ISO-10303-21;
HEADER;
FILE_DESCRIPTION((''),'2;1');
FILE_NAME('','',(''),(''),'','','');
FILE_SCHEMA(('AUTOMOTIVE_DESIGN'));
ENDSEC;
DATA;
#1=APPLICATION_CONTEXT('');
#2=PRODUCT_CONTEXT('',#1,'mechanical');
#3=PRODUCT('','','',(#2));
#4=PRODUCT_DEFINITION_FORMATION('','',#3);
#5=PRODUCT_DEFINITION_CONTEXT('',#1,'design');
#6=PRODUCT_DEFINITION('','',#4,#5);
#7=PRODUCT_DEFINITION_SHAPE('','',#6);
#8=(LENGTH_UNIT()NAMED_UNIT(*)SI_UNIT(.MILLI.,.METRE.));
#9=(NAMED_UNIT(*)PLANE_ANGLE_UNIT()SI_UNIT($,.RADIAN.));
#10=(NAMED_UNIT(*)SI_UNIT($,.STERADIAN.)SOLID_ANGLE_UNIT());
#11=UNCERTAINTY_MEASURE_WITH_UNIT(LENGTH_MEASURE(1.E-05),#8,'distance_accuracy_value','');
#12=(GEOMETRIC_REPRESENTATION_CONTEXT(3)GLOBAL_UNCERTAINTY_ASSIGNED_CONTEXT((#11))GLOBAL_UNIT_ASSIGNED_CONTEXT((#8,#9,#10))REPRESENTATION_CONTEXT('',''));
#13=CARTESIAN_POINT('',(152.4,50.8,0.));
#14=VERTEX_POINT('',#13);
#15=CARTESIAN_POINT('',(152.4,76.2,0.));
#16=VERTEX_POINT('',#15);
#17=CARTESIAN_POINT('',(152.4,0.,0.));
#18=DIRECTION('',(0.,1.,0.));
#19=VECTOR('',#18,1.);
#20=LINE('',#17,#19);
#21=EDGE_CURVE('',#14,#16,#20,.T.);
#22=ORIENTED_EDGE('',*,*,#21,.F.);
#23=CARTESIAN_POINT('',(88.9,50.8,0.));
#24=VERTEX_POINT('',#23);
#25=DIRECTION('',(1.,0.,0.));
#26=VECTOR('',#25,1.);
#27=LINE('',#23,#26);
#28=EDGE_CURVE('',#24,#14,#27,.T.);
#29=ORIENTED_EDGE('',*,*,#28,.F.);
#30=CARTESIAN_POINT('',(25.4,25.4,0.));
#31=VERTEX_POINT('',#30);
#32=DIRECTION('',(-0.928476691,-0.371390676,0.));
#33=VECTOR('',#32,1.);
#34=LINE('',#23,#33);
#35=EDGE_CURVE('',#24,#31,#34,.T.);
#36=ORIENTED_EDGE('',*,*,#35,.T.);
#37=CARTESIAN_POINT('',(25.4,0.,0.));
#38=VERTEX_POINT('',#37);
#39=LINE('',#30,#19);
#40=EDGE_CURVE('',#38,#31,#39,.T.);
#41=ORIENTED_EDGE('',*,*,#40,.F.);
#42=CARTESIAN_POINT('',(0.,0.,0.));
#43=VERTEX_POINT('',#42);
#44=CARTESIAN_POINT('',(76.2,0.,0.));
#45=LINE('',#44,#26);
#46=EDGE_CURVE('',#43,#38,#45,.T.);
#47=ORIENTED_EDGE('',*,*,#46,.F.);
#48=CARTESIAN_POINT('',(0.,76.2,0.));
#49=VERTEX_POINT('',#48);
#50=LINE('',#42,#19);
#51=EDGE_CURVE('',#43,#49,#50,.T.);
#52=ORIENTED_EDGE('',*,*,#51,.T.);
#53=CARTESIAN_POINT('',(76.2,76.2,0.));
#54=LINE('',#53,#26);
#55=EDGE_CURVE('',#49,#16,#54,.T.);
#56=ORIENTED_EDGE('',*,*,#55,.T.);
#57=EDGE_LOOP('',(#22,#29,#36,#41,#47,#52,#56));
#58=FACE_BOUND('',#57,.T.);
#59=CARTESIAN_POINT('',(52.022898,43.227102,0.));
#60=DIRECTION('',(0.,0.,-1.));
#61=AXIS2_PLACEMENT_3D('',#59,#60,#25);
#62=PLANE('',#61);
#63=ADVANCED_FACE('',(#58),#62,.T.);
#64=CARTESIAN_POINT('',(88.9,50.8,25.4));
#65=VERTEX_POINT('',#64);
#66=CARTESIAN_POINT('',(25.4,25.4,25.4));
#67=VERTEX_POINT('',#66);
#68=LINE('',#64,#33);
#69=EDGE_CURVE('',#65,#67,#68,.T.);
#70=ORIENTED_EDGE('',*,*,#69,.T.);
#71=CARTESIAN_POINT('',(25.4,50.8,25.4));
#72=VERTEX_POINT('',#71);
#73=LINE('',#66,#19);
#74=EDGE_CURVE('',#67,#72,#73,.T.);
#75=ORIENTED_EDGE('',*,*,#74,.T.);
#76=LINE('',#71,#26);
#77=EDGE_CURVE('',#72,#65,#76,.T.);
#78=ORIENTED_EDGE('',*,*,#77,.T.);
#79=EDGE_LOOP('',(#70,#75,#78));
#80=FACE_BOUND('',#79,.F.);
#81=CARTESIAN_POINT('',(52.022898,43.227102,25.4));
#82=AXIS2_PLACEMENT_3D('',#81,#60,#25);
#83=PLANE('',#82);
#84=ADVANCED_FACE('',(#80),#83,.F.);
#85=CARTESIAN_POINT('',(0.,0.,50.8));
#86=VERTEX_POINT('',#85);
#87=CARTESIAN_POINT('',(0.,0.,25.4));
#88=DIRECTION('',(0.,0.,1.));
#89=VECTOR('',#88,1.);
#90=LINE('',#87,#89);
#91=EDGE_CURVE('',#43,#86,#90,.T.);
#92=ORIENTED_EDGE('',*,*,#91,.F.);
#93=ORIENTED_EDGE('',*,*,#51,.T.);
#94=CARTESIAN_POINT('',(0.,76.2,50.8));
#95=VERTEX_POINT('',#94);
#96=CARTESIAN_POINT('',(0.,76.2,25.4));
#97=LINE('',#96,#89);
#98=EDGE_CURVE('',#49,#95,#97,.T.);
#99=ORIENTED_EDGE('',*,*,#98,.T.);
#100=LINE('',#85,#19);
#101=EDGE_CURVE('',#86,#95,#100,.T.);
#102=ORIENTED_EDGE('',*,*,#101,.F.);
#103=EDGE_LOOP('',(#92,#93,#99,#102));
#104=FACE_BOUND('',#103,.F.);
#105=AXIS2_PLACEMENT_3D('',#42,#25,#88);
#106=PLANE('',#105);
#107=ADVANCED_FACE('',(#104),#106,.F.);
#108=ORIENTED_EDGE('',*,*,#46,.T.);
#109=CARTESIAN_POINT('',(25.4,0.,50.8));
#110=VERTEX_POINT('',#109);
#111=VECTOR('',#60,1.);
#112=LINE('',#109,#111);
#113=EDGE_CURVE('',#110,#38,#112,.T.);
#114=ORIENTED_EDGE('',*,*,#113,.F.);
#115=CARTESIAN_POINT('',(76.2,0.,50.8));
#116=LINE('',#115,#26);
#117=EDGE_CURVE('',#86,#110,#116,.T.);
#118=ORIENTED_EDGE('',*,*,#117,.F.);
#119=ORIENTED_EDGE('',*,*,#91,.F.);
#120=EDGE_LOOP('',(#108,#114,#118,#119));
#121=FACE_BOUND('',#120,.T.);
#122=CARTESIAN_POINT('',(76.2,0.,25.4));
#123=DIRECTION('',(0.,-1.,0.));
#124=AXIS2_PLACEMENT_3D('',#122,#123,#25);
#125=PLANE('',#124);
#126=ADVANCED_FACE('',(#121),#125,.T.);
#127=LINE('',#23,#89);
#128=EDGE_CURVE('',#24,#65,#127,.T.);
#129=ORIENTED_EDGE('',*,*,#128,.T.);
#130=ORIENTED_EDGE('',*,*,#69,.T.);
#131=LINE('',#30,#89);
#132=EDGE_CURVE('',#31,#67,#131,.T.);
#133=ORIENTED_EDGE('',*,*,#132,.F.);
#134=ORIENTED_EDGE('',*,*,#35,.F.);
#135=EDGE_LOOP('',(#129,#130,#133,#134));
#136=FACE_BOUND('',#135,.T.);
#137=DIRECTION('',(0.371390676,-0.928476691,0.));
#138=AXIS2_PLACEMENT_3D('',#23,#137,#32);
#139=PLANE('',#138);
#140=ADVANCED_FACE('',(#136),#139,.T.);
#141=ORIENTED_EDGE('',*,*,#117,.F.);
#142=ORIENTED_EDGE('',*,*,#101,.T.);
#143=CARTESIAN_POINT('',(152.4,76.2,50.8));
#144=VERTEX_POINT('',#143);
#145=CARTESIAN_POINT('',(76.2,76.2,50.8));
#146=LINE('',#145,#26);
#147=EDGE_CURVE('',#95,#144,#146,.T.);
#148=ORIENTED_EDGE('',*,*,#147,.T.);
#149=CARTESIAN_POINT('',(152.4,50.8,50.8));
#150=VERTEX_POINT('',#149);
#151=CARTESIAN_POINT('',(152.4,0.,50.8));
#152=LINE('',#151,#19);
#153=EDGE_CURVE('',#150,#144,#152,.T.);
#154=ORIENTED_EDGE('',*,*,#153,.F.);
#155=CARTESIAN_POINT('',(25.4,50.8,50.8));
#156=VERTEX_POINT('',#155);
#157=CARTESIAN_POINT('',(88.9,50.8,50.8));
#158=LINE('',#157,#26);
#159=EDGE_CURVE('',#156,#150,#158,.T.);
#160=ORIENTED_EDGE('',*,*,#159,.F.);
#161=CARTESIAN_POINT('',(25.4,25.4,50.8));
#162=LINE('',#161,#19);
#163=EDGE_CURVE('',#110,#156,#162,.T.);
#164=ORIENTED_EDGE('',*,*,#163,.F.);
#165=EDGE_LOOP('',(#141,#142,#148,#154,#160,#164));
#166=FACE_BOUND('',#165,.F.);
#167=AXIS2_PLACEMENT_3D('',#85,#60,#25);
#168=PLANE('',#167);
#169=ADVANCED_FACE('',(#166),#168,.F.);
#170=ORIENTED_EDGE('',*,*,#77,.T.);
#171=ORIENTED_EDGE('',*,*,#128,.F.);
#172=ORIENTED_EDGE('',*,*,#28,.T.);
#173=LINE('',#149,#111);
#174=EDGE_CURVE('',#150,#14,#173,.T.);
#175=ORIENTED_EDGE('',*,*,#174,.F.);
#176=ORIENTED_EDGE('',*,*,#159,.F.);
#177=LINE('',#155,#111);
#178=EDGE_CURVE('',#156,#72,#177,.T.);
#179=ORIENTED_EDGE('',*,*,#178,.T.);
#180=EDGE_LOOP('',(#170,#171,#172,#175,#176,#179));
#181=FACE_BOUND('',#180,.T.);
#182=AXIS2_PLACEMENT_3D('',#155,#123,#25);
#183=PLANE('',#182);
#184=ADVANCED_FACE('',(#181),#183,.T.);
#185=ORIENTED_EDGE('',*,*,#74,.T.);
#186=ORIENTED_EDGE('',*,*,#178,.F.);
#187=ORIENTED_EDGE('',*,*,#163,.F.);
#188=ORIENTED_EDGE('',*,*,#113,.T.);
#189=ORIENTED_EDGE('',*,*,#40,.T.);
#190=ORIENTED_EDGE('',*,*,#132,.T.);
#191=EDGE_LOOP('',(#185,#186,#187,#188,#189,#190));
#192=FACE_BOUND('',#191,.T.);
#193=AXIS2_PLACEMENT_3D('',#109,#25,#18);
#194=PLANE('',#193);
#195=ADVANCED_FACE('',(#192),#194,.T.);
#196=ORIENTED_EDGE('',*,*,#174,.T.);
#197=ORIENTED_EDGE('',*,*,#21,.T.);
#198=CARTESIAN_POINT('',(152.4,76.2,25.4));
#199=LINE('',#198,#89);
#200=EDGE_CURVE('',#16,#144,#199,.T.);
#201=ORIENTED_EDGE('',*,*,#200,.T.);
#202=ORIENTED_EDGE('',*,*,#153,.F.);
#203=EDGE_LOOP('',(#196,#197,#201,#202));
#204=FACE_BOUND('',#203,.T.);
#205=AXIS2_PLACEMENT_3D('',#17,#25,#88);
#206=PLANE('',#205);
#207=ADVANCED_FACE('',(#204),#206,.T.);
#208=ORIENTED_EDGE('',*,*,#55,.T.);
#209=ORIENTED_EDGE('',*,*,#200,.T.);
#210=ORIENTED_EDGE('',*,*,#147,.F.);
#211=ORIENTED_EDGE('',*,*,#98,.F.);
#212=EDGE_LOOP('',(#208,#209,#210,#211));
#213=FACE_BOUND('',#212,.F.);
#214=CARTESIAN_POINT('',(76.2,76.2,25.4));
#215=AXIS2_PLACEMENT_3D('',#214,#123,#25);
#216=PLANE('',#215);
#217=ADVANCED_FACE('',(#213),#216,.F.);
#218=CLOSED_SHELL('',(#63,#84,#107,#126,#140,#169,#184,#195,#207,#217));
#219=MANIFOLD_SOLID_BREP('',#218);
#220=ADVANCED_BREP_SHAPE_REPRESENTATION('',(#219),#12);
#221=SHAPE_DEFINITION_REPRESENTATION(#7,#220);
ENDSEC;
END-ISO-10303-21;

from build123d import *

# Parameters (mm, degrees)
F0_W     = 152.4
F0_H     = 50.8
F1_DEPTH = 76.2
F2_W     = 127
F2_H     = 50.8
F3_DEPTH = 50.8
F5_DEPTH = 25.4


with BuildPart() as f1:
    # F0 (on Front) → F1 (new body)
    with BuildSketch(Plane.XZ):
        with Locations((76.2, 25.4)):
            Rectangle(F0_W, F0_H)
    extrude(amount=-F1_DEPTH)

    # F2 (on face) → F3 (cut)
    with BuildSketch(Plane.XY.offset(50.8)):
        with Locations((88.9, 25.4)):
            Rectangle(F2_W, F2_H)
    extrude(amount=-F3_DEPTH, mode=Mode.SUBTRACT)

    # F4 (on face) → F5 (join)
    with BuildSketch(Plane(origin=(0, 0, 0), x_dir=(1, 0, 0), z_dir=(0, 0, -1))):
        Polygon((25.4, -25.4), (25.4, -50.8), (88.9, -50.8), align=None)
    extrude(amount=-F5_DEPTH)


solid = f1.part
